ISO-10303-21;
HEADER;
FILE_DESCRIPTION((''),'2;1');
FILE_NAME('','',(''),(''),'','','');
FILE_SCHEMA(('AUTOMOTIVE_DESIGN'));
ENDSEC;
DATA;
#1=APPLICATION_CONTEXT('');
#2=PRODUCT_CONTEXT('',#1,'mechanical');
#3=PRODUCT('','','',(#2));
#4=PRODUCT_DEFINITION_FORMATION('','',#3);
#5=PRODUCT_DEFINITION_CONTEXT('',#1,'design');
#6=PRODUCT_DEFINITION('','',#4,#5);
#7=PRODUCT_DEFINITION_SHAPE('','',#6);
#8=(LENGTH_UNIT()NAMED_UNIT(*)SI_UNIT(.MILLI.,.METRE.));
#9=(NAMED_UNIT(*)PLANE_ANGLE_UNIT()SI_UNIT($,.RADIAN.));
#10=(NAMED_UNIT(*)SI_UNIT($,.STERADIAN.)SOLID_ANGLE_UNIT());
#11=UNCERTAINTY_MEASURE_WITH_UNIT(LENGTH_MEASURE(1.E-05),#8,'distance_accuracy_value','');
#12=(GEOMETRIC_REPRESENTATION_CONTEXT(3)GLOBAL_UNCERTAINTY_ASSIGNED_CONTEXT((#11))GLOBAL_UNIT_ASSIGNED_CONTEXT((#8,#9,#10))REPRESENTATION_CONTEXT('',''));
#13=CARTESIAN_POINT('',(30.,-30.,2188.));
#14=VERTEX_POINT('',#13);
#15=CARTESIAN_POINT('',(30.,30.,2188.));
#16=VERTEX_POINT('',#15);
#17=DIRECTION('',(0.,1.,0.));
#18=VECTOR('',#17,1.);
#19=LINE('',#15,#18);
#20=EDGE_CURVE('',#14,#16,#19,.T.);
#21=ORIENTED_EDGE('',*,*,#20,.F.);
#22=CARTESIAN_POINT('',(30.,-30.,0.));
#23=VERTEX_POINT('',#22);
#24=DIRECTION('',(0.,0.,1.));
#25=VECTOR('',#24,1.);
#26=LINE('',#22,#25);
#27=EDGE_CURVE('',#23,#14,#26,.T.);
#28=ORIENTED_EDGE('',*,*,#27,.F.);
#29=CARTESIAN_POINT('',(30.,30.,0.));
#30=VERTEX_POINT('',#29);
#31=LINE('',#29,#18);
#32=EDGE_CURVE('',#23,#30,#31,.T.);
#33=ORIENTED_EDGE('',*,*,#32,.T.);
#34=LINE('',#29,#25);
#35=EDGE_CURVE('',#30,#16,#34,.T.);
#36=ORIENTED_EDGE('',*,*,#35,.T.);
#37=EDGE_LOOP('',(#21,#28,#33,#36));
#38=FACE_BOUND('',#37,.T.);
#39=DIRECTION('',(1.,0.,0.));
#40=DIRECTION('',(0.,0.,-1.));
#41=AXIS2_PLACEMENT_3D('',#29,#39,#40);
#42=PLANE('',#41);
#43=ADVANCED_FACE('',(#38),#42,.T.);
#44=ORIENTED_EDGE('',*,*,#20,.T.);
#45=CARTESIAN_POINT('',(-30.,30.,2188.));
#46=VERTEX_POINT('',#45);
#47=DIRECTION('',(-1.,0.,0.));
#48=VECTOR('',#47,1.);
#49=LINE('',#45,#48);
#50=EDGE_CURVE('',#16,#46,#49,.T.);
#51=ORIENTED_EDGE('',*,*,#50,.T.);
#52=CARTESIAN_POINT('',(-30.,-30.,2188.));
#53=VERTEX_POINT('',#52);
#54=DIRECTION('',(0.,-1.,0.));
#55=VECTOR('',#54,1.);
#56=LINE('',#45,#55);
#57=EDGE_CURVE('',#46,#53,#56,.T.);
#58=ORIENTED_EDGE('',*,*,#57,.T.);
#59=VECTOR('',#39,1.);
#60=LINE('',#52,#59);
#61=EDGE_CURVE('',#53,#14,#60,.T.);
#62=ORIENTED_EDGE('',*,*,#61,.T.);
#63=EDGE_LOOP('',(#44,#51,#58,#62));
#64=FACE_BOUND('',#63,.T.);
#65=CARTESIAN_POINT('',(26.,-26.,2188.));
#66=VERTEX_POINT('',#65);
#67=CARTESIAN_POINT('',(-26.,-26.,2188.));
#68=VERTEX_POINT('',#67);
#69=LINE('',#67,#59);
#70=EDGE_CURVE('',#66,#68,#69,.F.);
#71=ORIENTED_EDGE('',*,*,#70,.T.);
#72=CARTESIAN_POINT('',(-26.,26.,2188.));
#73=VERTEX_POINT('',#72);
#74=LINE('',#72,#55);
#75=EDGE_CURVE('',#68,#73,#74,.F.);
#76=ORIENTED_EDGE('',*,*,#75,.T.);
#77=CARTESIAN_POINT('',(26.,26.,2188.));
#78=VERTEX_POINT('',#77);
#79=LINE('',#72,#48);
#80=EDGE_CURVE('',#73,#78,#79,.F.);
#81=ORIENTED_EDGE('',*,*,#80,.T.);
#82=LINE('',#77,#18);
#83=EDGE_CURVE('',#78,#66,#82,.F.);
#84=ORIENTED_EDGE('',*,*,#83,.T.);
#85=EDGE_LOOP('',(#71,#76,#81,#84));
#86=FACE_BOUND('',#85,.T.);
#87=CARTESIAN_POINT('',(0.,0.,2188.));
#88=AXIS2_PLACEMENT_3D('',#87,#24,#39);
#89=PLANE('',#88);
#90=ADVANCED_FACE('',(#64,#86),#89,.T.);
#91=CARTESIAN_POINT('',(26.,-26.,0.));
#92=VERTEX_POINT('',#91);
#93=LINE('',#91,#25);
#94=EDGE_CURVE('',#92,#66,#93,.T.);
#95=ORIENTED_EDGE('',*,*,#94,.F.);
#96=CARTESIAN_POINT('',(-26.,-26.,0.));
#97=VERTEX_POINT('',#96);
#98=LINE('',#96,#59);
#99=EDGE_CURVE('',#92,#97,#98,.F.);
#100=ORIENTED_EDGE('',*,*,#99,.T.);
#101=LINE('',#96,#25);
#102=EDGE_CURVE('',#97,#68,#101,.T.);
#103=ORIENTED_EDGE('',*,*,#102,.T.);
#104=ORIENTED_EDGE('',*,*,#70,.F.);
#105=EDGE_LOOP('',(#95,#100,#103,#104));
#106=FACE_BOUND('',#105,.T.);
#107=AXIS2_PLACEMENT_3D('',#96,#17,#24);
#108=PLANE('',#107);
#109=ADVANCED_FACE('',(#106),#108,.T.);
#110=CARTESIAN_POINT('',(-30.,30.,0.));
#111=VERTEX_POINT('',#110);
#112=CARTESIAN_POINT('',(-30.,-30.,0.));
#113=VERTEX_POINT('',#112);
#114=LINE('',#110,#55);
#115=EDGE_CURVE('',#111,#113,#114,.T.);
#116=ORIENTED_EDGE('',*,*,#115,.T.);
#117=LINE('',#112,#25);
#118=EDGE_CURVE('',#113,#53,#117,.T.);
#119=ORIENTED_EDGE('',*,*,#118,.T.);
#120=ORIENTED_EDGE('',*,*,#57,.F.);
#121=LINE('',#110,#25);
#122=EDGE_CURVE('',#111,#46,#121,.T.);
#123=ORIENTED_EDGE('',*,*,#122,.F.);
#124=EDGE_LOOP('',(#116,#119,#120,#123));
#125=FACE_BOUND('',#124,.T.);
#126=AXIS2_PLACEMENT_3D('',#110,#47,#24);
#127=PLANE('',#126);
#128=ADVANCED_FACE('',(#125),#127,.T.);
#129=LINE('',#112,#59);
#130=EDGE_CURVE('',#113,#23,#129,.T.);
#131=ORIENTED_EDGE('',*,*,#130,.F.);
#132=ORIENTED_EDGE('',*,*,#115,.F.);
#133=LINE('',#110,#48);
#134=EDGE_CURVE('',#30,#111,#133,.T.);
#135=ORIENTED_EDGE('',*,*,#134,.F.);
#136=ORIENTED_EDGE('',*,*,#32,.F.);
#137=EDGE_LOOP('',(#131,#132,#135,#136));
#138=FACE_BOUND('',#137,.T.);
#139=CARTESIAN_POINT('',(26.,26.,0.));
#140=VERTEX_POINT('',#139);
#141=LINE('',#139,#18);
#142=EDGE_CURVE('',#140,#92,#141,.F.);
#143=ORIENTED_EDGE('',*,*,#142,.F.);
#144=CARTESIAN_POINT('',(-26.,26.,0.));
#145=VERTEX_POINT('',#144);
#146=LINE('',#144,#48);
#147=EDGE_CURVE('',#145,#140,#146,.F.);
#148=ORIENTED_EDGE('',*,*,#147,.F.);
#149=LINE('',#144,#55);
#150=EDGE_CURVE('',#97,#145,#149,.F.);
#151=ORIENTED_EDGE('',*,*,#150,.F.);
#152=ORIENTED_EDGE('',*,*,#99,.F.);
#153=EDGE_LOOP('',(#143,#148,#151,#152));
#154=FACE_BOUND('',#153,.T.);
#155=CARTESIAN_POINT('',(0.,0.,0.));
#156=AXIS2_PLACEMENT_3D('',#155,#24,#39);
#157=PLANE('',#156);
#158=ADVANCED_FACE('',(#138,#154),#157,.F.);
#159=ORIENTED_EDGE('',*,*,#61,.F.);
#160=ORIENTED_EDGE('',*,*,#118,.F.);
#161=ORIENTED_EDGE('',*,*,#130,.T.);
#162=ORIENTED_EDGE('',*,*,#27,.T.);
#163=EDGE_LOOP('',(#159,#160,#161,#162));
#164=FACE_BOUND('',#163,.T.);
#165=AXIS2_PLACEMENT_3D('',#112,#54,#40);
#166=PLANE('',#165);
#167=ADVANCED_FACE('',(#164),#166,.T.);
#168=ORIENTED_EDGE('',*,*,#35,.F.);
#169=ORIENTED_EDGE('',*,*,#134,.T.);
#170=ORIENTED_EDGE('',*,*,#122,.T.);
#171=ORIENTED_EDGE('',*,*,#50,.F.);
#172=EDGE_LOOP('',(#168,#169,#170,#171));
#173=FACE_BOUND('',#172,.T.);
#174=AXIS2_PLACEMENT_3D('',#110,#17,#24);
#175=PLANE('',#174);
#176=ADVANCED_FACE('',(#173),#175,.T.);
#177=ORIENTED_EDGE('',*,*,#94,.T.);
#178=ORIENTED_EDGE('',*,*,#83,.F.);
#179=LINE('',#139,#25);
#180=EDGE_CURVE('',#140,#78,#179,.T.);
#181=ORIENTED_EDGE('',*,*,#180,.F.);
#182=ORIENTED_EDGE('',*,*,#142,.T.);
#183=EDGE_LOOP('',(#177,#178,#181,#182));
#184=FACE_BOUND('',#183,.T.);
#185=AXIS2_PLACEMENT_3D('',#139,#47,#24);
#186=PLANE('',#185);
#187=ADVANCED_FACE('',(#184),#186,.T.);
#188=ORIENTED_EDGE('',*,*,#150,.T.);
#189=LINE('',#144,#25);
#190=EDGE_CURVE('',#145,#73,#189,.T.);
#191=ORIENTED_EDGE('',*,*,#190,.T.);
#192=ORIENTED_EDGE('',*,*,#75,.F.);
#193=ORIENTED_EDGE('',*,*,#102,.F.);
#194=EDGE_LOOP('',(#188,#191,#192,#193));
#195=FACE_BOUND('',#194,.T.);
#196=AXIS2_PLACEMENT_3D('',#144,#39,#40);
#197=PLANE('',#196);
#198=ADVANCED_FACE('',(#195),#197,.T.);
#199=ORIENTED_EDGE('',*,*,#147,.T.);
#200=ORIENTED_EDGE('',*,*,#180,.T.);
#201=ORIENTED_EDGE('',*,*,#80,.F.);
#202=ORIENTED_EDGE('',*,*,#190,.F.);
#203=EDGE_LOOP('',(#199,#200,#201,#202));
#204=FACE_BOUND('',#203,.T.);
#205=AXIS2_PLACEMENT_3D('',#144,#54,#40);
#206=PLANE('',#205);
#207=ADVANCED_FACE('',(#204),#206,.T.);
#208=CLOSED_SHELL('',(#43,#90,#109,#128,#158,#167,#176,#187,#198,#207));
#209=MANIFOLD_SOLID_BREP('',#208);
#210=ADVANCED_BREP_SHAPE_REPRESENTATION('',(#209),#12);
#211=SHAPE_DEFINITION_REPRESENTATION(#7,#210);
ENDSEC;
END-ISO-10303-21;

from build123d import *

# Parameters (mm, degrees)
SKETCH1_W   = 60
SKETCH1_H   = 60
SKETCH1_W_2 = 52
SKETCH1_H_2 = 52


with BuildPart() as part:
    # Sweep1: sweep along a curve in space
    with BuildLine() as sweep1_path:
        add(Edge.make_bspline(
            [(0, 0, 0), (0, 0, 2188)],
            knots=[0, 0, 1, 1], degree=1))
    # Sketch1 → Sweep1 (sweep)
    with BuildSketch(Plane.XY):
        Rectangle(SKETCH1_W, SKETCH1_H)
        Rectangle(SKETCH1_W_2, SKETCH1_H_2, mode=Mode.SUBTRACT)
    sweep(path=sweep1_path.line)


solid = part.part
